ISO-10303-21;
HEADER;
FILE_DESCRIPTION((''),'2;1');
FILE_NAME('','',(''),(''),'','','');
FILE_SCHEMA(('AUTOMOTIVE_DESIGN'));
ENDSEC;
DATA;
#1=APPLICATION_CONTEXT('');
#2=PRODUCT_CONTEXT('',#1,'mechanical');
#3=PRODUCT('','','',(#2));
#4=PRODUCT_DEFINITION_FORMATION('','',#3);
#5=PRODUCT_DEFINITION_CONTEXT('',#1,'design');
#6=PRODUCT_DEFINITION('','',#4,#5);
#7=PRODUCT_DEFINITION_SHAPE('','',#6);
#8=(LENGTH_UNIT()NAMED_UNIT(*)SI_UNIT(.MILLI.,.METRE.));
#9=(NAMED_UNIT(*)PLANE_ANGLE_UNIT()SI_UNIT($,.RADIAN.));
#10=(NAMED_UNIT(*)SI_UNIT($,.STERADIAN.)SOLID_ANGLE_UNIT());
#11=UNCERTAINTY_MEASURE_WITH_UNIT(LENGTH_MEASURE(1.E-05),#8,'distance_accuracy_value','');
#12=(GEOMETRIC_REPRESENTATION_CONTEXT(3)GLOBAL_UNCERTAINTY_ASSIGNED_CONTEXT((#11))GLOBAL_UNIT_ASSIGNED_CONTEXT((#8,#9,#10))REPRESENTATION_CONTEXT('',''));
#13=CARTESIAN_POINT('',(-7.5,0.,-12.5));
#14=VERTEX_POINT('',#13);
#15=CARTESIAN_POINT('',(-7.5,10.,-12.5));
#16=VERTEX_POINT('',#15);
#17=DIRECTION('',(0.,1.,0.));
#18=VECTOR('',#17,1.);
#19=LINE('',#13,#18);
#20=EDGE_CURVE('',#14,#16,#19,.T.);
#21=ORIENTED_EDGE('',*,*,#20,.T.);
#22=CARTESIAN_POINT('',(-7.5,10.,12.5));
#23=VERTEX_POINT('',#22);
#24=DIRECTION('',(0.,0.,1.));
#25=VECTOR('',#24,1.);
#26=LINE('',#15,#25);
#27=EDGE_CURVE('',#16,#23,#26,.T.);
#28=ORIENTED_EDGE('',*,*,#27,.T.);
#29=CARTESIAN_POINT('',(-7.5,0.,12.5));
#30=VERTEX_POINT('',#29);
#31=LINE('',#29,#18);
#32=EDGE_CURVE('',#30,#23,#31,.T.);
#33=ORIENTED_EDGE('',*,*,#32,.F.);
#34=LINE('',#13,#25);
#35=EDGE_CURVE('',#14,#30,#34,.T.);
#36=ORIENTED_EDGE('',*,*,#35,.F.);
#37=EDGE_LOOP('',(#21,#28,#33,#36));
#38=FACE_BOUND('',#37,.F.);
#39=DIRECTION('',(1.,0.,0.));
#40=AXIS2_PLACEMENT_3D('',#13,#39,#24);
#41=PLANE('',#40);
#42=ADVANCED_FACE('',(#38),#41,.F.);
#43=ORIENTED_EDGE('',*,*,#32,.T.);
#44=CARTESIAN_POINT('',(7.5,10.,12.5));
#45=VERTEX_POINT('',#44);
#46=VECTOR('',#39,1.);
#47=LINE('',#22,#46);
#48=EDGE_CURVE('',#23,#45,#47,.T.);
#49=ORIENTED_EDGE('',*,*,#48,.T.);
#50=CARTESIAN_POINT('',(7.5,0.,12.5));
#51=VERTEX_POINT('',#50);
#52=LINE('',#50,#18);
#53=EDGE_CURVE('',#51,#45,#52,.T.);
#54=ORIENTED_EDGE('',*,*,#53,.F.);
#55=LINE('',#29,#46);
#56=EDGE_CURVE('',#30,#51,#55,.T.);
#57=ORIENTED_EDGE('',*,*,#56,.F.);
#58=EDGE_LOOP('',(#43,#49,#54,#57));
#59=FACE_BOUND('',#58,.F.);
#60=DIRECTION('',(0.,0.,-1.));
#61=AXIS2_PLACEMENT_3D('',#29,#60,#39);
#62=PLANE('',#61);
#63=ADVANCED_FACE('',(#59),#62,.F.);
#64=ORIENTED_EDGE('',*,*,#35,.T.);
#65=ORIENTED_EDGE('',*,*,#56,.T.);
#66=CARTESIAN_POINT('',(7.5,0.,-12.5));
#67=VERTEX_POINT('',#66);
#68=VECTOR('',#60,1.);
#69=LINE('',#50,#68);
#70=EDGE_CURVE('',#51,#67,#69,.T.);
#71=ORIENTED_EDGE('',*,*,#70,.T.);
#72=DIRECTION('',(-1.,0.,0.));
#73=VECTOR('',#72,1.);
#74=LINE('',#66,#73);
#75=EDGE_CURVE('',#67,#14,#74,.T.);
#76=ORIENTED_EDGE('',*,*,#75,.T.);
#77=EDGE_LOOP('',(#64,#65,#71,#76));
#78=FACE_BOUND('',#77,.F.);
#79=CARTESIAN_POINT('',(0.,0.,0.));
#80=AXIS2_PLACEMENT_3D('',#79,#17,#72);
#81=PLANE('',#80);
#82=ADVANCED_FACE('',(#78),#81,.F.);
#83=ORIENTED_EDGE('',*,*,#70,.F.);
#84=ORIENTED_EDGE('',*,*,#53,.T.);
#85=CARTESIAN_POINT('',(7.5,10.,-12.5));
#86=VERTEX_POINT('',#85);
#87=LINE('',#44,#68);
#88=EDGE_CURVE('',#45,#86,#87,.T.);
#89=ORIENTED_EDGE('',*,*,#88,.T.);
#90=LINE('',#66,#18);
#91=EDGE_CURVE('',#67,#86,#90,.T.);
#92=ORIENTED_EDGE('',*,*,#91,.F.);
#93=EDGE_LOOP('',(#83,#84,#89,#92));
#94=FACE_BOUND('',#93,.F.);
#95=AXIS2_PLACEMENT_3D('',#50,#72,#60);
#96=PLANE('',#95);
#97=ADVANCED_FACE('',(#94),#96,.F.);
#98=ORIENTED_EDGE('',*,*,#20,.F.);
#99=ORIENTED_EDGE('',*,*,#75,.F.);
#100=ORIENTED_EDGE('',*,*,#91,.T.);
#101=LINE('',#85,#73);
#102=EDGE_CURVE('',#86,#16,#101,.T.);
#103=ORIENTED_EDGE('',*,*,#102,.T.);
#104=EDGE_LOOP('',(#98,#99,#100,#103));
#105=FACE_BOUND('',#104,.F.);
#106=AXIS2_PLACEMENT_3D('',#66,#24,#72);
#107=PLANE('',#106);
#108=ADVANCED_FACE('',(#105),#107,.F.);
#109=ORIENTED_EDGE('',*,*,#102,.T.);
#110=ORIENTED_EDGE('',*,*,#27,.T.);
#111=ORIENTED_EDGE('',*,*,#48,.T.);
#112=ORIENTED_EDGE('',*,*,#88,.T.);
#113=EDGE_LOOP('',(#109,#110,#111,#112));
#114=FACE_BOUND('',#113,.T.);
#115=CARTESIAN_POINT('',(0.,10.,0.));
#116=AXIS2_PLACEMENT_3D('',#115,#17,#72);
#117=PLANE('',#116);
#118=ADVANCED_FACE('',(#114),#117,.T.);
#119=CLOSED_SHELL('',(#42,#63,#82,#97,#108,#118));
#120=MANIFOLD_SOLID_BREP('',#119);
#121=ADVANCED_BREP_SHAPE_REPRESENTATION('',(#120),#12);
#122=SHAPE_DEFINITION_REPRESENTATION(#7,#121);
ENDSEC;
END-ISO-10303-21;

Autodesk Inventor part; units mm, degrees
ref_plane "YZ Plane" through (0, 0, 0) normal (1, 0, 0) x (0, 1, 0)
ref_plane "XZ Plane" through (0, 0, 0) normal (0, 1, 0) x (-1, 0, 0)
ref_plane "XY Plane" through (0, 0, 0) normal (0, 0, 1) x (1, 0, 0)
sketch "Sketch1" plane through (0, 0, 0) normal (0, 1, 0) x (-1, 0, 0)
  line L0 (-7.5, -12.5) -> (7.5, -12.5)
  line L1 (7.5, -12.5) -> (7.5, 12.5)
  line L2 (7.5, 12.5) -> (-7.5, 12.5)
  line L3 (-7.5, 12.5) -> (-7.5, -12.5)
  line L4 (-7.5, -12.5) -> (7.5, 12.5) construction
  line L5 (7.5, -12.5) -> (-7.5, 12.5) construction
  point P0 (0, 0)
  dimension "d0" = 15
  dimension "d1" = 25
extrude "Extrusion1" add sketch "Sketch1" along normal blind 10
chamfer "Chamfer1" [suppressed]
sketch "Sketch3" plane through (0, 10, 0) normal (0, 1, 0) x (1, 0, 0)
  point P0 (0, 0)
  point P1 (0.0394, 0.1841)
feature "Slot1" [suppressed]
properties part number "SamplePart"
